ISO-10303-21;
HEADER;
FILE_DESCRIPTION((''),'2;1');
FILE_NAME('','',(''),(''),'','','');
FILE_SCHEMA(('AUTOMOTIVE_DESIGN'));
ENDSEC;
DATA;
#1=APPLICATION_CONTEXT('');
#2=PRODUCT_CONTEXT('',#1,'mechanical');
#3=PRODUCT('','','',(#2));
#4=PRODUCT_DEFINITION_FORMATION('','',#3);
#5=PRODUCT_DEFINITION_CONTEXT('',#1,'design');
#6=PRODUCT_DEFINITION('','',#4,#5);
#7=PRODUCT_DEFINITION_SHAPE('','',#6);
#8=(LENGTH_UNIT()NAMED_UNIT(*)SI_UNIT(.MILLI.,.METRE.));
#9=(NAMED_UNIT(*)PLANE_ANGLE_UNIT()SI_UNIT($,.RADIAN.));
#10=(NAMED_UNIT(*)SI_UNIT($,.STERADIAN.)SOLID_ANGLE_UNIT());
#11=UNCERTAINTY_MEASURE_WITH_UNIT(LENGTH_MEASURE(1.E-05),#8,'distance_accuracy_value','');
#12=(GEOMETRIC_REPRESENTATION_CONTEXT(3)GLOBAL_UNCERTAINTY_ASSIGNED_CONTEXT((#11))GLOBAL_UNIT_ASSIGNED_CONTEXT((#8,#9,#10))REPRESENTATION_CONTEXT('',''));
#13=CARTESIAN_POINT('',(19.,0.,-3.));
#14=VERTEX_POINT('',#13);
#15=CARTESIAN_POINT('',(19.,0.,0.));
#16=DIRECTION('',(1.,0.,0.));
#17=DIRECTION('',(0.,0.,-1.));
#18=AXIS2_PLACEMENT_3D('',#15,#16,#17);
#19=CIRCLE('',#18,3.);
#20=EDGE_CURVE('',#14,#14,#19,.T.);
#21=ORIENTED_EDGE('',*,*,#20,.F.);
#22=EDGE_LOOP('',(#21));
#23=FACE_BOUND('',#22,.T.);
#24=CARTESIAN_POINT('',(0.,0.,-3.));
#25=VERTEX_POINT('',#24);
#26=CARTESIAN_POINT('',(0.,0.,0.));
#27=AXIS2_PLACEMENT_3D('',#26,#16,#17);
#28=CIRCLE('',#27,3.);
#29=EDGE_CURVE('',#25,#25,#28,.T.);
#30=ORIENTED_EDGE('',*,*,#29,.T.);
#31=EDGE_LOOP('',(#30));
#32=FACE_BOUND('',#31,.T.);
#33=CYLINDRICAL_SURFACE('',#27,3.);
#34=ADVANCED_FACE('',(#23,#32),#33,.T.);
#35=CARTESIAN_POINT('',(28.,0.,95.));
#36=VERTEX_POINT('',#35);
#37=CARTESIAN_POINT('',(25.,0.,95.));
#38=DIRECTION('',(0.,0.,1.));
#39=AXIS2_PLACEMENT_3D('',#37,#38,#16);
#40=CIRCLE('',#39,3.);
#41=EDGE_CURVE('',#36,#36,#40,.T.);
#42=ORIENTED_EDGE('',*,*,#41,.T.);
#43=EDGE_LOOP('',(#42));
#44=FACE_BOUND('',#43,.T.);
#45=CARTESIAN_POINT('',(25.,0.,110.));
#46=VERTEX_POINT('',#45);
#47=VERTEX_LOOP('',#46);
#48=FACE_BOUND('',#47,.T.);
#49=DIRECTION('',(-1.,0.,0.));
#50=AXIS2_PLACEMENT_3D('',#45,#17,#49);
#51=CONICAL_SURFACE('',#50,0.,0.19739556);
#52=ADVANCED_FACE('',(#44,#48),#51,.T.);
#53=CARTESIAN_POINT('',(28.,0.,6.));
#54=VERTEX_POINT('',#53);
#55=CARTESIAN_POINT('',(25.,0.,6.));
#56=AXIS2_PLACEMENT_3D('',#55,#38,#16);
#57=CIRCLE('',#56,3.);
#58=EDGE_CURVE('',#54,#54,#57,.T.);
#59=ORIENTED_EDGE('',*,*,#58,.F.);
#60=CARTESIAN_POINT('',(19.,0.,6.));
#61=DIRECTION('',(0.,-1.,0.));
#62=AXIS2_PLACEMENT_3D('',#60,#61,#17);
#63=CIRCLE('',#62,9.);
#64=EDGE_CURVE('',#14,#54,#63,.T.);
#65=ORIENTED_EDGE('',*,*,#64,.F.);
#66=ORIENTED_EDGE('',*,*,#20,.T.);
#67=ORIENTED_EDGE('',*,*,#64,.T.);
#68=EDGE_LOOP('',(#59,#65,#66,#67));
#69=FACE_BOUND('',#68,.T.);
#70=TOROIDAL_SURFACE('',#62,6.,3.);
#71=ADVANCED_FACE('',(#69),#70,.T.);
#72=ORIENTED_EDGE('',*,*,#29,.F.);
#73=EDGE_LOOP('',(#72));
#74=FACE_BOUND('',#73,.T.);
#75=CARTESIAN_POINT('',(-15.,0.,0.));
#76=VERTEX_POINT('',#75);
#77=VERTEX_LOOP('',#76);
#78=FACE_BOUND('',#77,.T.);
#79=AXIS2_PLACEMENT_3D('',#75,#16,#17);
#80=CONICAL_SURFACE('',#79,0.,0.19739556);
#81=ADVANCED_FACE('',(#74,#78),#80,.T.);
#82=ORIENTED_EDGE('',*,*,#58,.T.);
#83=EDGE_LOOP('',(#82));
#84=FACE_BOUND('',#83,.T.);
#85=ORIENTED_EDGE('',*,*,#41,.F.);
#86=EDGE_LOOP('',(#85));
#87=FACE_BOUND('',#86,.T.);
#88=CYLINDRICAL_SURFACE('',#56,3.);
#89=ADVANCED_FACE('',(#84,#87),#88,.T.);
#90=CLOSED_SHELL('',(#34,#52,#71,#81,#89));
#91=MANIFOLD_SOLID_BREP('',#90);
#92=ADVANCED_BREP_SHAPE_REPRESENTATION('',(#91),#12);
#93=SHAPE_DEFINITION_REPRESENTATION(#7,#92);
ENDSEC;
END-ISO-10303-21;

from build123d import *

# Parameters (mm, degrees)
SKETCH2_R = 3


with BuildPart() as part:
    # Sweep1: sweep along a path in Sketch1
    with BuildLine(Plane(origin=(0, 0, 0), x_dir=(1, 0, 0), z_dir=(0, 1, 0))) as sweep1_path:
        Line((0, 0), (19, 0))
        ThreePointArc((19, 0), (23.242640687, -1.757359313), (25, -6))
        Line((25, -6), (25, -95))
    # Sketch2 → Sweep1 (sweep)
    with BuildSketch(Plane(origin=(0, 0, 0), x_dir=(0, 0, -1), z_dir=(1, 0, 0))):
        Circle(SKETCH2_R)
    sweep(path=sweep1_path.line)

    # Sketch3 → Revolve1 (revolve)
    with BuildSketch(Plane(origin=(0, 0, 0), x_dir=(1, 0, 0), z_dir=(0, 1, 0)), mode=Mode.PRIVATE) as revolve1_sk:
        Polygon((0, 0), (-15, 0), (0, -3), align=None)
    revolve(revolve1_sk.sketch.rotate(Axis((0, 0, 0), (-1, 0, 0)), 180), axis=Axis((0, 0, 0), (-1, 0, 0)))

    # Sketch4 → Revolve2 (revolve)
    with BuildSketch(Plane(origin=(0, 0, 0), x_dir=(1, 0, 0), z_dir=(0, 1, 0)), mode=Mode.PRIVATE) as revolve2_sk:
        Polygon((25, -95), (25, -110), (28, -95), align=None)
    revolve(revolve2_sk.sketch.rotate(Axis((25, 0, 95), (0, 0, 1)), 180), axis=Axis((25, 0, 95), (0, 0, 1)))


solid = part.part
